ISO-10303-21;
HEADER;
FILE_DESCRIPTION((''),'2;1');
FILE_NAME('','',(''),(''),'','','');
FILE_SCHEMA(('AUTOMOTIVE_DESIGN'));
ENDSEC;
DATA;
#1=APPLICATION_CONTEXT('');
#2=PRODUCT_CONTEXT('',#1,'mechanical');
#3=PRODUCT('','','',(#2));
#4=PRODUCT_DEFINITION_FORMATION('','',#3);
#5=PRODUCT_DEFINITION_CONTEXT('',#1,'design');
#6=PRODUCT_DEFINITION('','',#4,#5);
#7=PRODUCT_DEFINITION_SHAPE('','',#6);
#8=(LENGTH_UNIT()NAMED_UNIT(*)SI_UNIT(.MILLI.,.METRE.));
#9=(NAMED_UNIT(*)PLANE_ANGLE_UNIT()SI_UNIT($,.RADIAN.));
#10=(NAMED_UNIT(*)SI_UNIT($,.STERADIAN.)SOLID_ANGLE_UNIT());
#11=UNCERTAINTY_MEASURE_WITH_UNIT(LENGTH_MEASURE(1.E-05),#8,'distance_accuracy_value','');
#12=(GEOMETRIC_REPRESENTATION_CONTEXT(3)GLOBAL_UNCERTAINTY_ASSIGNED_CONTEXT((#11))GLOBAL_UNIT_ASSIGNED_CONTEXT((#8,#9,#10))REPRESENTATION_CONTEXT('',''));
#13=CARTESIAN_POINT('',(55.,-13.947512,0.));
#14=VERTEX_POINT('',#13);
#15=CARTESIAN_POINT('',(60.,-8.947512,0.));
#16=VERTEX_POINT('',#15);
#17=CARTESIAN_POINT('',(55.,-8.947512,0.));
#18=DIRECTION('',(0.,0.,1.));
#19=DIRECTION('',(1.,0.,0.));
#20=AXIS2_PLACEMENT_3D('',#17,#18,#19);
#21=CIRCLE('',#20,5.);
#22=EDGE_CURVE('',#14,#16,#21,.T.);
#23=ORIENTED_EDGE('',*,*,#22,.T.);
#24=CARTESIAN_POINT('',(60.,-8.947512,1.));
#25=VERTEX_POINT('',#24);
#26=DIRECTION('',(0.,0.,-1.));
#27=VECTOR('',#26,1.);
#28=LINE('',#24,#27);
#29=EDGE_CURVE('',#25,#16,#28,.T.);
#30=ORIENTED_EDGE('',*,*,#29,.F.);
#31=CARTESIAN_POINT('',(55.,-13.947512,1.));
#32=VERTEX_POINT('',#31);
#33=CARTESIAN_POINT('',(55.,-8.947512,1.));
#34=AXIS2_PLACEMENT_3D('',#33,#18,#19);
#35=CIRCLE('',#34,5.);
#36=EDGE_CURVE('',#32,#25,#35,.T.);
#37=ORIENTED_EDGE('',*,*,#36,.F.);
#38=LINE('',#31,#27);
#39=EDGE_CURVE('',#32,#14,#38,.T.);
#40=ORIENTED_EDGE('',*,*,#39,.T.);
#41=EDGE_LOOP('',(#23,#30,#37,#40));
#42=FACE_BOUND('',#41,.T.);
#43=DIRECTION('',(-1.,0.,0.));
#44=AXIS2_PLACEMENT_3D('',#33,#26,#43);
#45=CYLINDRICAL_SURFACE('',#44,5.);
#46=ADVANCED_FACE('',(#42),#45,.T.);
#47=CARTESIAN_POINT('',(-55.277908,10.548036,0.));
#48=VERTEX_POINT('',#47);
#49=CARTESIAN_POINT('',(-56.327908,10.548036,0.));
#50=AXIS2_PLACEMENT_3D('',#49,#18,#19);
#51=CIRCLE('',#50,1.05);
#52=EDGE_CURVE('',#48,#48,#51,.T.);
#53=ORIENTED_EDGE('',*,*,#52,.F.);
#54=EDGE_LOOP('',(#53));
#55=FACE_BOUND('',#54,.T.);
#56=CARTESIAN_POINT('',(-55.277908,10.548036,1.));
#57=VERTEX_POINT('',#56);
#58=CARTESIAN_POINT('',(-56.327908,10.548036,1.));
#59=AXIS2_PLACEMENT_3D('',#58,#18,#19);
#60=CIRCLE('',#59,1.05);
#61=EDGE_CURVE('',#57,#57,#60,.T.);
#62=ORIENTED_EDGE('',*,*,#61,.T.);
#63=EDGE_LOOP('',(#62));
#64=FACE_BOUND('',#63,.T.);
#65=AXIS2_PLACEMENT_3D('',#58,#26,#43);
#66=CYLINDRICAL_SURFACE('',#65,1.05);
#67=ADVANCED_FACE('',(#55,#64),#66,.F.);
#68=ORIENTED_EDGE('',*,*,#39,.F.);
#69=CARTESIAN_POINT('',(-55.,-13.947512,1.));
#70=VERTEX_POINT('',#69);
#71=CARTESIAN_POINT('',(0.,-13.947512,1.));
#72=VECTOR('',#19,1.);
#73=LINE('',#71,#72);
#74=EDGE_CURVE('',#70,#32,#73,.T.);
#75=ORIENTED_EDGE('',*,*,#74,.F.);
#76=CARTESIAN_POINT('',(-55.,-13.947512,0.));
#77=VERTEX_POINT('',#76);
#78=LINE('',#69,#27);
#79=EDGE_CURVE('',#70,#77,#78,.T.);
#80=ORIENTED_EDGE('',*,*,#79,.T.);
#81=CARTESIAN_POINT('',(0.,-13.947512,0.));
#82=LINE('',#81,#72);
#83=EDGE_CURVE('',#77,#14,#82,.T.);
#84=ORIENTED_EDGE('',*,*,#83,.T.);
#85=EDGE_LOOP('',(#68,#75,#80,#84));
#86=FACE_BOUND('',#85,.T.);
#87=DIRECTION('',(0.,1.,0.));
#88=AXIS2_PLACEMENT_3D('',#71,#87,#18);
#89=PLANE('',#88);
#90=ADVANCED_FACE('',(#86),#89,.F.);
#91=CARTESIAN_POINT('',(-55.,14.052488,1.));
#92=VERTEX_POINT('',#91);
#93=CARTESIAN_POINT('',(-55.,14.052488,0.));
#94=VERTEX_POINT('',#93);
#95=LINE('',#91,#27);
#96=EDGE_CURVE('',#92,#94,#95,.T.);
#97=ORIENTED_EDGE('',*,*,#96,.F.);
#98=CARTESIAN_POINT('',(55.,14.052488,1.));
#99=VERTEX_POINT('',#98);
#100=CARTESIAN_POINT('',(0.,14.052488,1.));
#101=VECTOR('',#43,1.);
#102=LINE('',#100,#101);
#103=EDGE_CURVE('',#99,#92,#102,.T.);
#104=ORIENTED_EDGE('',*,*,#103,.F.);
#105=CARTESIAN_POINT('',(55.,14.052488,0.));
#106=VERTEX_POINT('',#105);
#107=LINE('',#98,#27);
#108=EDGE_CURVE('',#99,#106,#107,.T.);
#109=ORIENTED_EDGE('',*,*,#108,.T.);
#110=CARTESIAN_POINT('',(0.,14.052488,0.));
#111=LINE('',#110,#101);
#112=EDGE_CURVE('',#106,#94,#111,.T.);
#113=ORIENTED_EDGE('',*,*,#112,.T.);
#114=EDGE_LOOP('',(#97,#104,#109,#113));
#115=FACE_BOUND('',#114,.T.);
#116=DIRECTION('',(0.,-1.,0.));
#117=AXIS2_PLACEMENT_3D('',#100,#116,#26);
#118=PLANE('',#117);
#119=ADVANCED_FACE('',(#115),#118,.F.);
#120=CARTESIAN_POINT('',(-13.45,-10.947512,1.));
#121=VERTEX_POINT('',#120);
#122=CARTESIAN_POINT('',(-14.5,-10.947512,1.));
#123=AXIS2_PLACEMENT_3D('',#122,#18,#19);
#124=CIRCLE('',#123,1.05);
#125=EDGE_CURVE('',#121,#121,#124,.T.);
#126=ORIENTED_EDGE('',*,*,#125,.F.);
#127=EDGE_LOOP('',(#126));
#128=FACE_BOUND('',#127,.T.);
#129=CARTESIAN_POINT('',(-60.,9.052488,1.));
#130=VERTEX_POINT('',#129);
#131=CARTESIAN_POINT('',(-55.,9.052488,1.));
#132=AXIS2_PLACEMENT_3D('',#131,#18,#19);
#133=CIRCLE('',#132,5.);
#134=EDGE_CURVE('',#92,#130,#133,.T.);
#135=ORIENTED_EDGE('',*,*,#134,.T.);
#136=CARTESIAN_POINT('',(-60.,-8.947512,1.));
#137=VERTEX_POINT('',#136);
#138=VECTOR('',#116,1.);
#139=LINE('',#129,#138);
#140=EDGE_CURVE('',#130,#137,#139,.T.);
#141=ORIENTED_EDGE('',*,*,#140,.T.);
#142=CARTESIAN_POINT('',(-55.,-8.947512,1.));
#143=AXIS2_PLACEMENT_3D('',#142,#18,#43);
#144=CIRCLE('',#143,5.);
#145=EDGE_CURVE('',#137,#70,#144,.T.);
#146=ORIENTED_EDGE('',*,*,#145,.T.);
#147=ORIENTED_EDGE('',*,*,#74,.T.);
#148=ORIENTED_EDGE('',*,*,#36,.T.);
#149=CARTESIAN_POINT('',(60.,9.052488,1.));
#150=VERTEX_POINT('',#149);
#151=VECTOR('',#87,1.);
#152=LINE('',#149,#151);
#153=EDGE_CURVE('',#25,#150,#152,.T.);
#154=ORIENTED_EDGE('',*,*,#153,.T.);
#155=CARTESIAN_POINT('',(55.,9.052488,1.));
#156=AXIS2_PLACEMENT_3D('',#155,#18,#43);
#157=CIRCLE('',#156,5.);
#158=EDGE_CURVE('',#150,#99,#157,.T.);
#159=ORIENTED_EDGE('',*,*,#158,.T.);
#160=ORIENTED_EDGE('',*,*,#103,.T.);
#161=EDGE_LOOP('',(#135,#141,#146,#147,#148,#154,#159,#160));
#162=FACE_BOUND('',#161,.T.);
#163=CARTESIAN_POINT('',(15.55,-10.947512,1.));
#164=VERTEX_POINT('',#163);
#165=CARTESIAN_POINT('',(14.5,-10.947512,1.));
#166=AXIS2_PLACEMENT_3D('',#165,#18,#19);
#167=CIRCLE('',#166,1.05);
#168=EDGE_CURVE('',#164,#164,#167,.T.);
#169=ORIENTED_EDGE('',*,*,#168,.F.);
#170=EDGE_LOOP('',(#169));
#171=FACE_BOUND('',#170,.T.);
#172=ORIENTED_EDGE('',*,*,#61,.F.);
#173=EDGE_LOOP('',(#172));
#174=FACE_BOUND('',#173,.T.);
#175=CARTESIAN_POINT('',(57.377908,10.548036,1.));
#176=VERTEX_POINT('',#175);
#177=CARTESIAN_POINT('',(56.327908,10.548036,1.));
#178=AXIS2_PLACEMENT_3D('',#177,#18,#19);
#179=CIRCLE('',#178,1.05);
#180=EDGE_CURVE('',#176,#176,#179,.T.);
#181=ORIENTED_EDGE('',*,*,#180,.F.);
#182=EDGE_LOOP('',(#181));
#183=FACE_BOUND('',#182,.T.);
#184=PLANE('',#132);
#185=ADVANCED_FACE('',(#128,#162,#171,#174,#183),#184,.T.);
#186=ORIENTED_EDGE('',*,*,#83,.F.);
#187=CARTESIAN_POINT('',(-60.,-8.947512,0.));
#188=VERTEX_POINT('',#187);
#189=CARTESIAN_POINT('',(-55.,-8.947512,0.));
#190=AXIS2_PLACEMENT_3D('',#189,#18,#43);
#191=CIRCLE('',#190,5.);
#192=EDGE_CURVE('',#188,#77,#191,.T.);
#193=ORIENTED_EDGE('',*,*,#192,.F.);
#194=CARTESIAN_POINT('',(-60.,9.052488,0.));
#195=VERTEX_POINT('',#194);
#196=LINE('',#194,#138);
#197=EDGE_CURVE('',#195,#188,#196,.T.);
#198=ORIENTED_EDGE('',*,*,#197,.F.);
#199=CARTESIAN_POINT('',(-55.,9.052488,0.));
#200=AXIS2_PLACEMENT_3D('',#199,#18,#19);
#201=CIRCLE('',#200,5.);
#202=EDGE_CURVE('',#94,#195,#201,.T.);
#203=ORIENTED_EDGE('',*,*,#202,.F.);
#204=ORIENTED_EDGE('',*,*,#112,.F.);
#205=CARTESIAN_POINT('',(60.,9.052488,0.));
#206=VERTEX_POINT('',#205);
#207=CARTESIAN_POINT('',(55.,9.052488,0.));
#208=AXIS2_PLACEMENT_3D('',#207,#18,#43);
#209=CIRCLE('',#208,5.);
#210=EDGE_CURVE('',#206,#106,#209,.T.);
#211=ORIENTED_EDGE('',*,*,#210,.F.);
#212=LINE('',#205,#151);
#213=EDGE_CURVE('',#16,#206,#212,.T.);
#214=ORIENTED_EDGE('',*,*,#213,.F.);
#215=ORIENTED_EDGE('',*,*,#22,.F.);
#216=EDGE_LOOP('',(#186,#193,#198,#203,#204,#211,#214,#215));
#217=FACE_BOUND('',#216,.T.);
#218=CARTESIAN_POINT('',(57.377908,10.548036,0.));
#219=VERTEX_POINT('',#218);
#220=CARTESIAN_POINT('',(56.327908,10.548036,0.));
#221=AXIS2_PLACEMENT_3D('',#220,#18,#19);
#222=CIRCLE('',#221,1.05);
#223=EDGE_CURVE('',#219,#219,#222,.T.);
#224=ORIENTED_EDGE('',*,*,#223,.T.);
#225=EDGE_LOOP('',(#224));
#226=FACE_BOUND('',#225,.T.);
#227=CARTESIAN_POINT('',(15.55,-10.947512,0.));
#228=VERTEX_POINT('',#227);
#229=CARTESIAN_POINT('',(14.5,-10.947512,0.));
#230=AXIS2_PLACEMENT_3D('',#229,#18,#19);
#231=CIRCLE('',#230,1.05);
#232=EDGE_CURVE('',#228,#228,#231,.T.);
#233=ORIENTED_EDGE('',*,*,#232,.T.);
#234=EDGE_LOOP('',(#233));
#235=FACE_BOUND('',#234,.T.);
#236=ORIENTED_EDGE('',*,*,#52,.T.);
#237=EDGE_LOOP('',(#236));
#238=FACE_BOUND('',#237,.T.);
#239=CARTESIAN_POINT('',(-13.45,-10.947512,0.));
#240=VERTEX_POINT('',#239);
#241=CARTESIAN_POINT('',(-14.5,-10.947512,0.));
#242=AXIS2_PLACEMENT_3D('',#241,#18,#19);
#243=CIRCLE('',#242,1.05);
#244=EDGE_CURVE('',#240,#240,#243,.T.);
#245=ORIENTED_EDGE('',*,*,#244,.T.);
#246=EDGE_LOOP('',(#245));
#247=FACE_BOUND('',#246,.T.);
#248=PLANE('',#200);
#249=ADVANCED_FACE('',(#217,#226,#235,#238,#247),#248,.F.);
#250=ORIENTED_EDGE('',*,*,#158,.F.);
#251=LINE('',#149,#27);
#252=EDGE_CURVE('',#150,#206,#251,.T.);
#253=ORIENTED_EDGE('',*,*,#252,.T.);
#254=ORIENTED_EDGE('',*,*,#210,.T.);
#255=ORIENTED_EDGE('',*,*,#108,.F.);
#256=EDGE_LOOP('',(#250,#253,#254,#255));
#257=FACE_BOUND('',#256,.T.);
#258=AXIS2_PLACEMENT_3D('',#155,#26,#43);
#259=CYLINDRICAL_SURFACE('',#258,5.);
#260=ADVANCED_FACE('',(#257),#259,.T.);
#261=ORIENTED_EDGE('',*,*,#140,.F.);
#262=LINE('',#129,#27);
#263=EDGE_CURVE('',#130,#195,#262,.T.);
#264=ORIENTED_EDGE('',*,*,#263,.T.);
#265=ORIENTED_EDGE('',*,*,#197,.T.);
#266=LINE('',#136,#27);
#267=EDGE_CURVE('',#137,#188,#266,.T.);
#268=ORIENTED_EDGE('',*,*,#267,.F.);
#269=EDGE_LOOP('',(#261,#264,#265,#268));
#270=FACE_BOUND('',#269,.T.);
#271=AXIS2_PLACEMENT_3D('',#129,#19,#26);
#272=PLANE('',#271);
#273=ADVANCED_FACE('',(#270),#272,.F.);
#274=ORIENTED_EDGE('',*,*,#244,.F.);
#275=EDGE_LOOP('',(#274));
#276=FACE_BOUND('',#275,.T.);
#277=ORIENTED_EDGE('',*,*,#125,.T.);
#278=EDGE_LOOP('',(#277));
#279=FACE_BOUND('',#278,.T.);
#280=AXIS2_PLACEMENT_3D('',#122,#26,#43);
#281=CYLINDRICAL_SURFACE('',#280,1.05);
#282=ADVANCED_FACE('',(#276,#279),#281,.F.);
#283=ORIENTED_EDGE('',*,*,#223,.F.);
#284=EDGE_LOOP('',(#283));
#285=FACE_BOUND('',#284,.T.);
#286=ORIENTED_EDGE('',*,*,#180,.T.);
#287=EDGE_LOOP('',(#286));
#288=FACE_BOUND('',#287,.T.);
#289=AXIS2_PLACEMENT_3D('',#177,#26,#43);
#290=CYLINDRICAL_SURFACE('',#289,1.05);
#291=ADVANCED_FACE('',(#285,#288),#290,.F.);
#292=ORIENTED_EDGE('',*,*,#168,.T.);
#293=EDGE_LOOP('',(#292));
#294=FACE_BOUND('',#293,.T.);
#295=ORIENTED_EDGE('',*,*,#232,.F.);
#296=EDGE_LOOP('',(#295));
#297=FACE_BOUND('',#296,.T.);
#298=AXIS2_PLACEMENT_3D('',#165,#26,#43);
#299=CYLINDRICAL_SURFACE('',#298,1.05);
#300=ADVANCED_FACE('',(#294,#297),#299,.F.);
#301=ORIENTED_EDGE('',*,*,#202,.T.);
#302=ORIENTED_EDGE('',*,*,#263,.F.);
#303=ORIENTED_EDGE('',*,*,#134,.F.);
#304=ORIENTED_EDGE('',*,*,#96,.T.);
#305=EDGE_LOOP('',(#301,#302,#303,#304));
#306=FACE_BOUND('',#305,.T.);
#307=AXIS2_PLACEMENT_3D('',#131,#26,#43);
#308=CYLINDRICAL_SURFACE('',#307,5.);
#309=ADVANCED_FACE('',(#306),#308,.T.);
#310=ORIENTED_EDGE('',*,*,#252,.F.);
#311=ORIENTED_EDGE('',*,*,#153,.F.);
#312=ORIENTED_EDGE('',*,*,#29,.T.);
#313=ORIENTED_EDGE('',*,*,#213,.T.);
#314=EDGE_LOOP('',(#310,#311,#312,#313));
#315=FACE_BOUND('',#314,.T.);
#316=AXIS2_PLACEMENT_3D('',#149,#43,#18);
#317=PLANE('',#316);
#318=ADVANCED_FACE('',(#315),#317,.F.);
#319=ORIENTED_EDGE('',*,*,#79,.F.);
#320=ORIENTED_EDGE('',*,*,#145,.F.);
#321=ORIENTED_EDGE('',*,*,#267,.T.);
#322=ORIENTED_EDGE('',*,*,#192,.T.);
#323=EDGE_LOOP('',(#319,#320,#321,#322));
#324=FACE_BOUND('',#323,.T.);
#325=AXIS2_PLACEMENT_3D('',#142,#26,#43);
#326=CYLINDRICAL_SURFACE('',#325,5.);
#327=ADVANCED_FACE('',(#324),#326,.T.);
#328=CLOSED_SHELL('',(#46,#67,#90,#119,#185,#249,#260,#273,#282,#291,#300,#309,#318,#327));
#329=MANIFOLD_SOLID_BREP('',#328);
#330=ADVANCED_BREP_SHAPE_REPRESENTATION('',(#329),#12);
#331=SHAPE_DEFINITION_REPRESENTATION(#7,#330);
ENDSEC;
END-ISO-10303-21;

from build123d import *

# Parameters (mm, degrees)
SKETCH3_R           = 1.05
BOSS_EXTRUDE1_DEPTH = 1


with BuildPart() as part:
    # Sketch3 → Boss-Extrude1 (new body)
    with BuildSketch(Plane.XY):
        with BuildLine():
            Line((0, 14.052488348), (55, 14.052488348))
            ThreePointArc((55, 14.052488348), (58.535533906, 12.588022254), (60, 9.052488348))
            Line((60, 9.052488348), (60, -8.947511652))
            ThreePointArc((60, -8.947511652), (58.535533906, -12.483045558), (55, -13.947511652))
            Line((55, -13.947511652), (0, -13.947511652))
            Line((0, -13.947511652), (-55, -13.947511652))
            ThreePointArc((-55, -13.947511652), (-58.535533906, -12.483045558), (-60, -8.947511652))
            Line((-60, -8.947511652), (-60, 9.052488348))
            ThreePointArc((-60, 9.052488348), (-58.535533906, 12.588022254), (-55, 14.052488348))
            Line((-55, 14.052488348), (0, 14.052488348))
        make_face()
        with Locations((-56.327907587, 10.548035553)):
            Circle(SKETCH3_R, mode=Mode.SUBTRACT)
        with Locations((56.327907587, 10.548035553)):
            Circle(SKETCH3_R, mode=Mode.SUBTRACT)
        with Locations((-14.5, -10.947511652)):
            Circle(SKETCH3_R, mode=Mode.SUBTRACT)
        with Locations((14.5, -10.947511652)):
            Circle(SKETCH3_R, mode=Mode.SUBTRACT)
    extrude(amount=BOSS_EXTRUDE1_DEPTH)


solid = part.part
